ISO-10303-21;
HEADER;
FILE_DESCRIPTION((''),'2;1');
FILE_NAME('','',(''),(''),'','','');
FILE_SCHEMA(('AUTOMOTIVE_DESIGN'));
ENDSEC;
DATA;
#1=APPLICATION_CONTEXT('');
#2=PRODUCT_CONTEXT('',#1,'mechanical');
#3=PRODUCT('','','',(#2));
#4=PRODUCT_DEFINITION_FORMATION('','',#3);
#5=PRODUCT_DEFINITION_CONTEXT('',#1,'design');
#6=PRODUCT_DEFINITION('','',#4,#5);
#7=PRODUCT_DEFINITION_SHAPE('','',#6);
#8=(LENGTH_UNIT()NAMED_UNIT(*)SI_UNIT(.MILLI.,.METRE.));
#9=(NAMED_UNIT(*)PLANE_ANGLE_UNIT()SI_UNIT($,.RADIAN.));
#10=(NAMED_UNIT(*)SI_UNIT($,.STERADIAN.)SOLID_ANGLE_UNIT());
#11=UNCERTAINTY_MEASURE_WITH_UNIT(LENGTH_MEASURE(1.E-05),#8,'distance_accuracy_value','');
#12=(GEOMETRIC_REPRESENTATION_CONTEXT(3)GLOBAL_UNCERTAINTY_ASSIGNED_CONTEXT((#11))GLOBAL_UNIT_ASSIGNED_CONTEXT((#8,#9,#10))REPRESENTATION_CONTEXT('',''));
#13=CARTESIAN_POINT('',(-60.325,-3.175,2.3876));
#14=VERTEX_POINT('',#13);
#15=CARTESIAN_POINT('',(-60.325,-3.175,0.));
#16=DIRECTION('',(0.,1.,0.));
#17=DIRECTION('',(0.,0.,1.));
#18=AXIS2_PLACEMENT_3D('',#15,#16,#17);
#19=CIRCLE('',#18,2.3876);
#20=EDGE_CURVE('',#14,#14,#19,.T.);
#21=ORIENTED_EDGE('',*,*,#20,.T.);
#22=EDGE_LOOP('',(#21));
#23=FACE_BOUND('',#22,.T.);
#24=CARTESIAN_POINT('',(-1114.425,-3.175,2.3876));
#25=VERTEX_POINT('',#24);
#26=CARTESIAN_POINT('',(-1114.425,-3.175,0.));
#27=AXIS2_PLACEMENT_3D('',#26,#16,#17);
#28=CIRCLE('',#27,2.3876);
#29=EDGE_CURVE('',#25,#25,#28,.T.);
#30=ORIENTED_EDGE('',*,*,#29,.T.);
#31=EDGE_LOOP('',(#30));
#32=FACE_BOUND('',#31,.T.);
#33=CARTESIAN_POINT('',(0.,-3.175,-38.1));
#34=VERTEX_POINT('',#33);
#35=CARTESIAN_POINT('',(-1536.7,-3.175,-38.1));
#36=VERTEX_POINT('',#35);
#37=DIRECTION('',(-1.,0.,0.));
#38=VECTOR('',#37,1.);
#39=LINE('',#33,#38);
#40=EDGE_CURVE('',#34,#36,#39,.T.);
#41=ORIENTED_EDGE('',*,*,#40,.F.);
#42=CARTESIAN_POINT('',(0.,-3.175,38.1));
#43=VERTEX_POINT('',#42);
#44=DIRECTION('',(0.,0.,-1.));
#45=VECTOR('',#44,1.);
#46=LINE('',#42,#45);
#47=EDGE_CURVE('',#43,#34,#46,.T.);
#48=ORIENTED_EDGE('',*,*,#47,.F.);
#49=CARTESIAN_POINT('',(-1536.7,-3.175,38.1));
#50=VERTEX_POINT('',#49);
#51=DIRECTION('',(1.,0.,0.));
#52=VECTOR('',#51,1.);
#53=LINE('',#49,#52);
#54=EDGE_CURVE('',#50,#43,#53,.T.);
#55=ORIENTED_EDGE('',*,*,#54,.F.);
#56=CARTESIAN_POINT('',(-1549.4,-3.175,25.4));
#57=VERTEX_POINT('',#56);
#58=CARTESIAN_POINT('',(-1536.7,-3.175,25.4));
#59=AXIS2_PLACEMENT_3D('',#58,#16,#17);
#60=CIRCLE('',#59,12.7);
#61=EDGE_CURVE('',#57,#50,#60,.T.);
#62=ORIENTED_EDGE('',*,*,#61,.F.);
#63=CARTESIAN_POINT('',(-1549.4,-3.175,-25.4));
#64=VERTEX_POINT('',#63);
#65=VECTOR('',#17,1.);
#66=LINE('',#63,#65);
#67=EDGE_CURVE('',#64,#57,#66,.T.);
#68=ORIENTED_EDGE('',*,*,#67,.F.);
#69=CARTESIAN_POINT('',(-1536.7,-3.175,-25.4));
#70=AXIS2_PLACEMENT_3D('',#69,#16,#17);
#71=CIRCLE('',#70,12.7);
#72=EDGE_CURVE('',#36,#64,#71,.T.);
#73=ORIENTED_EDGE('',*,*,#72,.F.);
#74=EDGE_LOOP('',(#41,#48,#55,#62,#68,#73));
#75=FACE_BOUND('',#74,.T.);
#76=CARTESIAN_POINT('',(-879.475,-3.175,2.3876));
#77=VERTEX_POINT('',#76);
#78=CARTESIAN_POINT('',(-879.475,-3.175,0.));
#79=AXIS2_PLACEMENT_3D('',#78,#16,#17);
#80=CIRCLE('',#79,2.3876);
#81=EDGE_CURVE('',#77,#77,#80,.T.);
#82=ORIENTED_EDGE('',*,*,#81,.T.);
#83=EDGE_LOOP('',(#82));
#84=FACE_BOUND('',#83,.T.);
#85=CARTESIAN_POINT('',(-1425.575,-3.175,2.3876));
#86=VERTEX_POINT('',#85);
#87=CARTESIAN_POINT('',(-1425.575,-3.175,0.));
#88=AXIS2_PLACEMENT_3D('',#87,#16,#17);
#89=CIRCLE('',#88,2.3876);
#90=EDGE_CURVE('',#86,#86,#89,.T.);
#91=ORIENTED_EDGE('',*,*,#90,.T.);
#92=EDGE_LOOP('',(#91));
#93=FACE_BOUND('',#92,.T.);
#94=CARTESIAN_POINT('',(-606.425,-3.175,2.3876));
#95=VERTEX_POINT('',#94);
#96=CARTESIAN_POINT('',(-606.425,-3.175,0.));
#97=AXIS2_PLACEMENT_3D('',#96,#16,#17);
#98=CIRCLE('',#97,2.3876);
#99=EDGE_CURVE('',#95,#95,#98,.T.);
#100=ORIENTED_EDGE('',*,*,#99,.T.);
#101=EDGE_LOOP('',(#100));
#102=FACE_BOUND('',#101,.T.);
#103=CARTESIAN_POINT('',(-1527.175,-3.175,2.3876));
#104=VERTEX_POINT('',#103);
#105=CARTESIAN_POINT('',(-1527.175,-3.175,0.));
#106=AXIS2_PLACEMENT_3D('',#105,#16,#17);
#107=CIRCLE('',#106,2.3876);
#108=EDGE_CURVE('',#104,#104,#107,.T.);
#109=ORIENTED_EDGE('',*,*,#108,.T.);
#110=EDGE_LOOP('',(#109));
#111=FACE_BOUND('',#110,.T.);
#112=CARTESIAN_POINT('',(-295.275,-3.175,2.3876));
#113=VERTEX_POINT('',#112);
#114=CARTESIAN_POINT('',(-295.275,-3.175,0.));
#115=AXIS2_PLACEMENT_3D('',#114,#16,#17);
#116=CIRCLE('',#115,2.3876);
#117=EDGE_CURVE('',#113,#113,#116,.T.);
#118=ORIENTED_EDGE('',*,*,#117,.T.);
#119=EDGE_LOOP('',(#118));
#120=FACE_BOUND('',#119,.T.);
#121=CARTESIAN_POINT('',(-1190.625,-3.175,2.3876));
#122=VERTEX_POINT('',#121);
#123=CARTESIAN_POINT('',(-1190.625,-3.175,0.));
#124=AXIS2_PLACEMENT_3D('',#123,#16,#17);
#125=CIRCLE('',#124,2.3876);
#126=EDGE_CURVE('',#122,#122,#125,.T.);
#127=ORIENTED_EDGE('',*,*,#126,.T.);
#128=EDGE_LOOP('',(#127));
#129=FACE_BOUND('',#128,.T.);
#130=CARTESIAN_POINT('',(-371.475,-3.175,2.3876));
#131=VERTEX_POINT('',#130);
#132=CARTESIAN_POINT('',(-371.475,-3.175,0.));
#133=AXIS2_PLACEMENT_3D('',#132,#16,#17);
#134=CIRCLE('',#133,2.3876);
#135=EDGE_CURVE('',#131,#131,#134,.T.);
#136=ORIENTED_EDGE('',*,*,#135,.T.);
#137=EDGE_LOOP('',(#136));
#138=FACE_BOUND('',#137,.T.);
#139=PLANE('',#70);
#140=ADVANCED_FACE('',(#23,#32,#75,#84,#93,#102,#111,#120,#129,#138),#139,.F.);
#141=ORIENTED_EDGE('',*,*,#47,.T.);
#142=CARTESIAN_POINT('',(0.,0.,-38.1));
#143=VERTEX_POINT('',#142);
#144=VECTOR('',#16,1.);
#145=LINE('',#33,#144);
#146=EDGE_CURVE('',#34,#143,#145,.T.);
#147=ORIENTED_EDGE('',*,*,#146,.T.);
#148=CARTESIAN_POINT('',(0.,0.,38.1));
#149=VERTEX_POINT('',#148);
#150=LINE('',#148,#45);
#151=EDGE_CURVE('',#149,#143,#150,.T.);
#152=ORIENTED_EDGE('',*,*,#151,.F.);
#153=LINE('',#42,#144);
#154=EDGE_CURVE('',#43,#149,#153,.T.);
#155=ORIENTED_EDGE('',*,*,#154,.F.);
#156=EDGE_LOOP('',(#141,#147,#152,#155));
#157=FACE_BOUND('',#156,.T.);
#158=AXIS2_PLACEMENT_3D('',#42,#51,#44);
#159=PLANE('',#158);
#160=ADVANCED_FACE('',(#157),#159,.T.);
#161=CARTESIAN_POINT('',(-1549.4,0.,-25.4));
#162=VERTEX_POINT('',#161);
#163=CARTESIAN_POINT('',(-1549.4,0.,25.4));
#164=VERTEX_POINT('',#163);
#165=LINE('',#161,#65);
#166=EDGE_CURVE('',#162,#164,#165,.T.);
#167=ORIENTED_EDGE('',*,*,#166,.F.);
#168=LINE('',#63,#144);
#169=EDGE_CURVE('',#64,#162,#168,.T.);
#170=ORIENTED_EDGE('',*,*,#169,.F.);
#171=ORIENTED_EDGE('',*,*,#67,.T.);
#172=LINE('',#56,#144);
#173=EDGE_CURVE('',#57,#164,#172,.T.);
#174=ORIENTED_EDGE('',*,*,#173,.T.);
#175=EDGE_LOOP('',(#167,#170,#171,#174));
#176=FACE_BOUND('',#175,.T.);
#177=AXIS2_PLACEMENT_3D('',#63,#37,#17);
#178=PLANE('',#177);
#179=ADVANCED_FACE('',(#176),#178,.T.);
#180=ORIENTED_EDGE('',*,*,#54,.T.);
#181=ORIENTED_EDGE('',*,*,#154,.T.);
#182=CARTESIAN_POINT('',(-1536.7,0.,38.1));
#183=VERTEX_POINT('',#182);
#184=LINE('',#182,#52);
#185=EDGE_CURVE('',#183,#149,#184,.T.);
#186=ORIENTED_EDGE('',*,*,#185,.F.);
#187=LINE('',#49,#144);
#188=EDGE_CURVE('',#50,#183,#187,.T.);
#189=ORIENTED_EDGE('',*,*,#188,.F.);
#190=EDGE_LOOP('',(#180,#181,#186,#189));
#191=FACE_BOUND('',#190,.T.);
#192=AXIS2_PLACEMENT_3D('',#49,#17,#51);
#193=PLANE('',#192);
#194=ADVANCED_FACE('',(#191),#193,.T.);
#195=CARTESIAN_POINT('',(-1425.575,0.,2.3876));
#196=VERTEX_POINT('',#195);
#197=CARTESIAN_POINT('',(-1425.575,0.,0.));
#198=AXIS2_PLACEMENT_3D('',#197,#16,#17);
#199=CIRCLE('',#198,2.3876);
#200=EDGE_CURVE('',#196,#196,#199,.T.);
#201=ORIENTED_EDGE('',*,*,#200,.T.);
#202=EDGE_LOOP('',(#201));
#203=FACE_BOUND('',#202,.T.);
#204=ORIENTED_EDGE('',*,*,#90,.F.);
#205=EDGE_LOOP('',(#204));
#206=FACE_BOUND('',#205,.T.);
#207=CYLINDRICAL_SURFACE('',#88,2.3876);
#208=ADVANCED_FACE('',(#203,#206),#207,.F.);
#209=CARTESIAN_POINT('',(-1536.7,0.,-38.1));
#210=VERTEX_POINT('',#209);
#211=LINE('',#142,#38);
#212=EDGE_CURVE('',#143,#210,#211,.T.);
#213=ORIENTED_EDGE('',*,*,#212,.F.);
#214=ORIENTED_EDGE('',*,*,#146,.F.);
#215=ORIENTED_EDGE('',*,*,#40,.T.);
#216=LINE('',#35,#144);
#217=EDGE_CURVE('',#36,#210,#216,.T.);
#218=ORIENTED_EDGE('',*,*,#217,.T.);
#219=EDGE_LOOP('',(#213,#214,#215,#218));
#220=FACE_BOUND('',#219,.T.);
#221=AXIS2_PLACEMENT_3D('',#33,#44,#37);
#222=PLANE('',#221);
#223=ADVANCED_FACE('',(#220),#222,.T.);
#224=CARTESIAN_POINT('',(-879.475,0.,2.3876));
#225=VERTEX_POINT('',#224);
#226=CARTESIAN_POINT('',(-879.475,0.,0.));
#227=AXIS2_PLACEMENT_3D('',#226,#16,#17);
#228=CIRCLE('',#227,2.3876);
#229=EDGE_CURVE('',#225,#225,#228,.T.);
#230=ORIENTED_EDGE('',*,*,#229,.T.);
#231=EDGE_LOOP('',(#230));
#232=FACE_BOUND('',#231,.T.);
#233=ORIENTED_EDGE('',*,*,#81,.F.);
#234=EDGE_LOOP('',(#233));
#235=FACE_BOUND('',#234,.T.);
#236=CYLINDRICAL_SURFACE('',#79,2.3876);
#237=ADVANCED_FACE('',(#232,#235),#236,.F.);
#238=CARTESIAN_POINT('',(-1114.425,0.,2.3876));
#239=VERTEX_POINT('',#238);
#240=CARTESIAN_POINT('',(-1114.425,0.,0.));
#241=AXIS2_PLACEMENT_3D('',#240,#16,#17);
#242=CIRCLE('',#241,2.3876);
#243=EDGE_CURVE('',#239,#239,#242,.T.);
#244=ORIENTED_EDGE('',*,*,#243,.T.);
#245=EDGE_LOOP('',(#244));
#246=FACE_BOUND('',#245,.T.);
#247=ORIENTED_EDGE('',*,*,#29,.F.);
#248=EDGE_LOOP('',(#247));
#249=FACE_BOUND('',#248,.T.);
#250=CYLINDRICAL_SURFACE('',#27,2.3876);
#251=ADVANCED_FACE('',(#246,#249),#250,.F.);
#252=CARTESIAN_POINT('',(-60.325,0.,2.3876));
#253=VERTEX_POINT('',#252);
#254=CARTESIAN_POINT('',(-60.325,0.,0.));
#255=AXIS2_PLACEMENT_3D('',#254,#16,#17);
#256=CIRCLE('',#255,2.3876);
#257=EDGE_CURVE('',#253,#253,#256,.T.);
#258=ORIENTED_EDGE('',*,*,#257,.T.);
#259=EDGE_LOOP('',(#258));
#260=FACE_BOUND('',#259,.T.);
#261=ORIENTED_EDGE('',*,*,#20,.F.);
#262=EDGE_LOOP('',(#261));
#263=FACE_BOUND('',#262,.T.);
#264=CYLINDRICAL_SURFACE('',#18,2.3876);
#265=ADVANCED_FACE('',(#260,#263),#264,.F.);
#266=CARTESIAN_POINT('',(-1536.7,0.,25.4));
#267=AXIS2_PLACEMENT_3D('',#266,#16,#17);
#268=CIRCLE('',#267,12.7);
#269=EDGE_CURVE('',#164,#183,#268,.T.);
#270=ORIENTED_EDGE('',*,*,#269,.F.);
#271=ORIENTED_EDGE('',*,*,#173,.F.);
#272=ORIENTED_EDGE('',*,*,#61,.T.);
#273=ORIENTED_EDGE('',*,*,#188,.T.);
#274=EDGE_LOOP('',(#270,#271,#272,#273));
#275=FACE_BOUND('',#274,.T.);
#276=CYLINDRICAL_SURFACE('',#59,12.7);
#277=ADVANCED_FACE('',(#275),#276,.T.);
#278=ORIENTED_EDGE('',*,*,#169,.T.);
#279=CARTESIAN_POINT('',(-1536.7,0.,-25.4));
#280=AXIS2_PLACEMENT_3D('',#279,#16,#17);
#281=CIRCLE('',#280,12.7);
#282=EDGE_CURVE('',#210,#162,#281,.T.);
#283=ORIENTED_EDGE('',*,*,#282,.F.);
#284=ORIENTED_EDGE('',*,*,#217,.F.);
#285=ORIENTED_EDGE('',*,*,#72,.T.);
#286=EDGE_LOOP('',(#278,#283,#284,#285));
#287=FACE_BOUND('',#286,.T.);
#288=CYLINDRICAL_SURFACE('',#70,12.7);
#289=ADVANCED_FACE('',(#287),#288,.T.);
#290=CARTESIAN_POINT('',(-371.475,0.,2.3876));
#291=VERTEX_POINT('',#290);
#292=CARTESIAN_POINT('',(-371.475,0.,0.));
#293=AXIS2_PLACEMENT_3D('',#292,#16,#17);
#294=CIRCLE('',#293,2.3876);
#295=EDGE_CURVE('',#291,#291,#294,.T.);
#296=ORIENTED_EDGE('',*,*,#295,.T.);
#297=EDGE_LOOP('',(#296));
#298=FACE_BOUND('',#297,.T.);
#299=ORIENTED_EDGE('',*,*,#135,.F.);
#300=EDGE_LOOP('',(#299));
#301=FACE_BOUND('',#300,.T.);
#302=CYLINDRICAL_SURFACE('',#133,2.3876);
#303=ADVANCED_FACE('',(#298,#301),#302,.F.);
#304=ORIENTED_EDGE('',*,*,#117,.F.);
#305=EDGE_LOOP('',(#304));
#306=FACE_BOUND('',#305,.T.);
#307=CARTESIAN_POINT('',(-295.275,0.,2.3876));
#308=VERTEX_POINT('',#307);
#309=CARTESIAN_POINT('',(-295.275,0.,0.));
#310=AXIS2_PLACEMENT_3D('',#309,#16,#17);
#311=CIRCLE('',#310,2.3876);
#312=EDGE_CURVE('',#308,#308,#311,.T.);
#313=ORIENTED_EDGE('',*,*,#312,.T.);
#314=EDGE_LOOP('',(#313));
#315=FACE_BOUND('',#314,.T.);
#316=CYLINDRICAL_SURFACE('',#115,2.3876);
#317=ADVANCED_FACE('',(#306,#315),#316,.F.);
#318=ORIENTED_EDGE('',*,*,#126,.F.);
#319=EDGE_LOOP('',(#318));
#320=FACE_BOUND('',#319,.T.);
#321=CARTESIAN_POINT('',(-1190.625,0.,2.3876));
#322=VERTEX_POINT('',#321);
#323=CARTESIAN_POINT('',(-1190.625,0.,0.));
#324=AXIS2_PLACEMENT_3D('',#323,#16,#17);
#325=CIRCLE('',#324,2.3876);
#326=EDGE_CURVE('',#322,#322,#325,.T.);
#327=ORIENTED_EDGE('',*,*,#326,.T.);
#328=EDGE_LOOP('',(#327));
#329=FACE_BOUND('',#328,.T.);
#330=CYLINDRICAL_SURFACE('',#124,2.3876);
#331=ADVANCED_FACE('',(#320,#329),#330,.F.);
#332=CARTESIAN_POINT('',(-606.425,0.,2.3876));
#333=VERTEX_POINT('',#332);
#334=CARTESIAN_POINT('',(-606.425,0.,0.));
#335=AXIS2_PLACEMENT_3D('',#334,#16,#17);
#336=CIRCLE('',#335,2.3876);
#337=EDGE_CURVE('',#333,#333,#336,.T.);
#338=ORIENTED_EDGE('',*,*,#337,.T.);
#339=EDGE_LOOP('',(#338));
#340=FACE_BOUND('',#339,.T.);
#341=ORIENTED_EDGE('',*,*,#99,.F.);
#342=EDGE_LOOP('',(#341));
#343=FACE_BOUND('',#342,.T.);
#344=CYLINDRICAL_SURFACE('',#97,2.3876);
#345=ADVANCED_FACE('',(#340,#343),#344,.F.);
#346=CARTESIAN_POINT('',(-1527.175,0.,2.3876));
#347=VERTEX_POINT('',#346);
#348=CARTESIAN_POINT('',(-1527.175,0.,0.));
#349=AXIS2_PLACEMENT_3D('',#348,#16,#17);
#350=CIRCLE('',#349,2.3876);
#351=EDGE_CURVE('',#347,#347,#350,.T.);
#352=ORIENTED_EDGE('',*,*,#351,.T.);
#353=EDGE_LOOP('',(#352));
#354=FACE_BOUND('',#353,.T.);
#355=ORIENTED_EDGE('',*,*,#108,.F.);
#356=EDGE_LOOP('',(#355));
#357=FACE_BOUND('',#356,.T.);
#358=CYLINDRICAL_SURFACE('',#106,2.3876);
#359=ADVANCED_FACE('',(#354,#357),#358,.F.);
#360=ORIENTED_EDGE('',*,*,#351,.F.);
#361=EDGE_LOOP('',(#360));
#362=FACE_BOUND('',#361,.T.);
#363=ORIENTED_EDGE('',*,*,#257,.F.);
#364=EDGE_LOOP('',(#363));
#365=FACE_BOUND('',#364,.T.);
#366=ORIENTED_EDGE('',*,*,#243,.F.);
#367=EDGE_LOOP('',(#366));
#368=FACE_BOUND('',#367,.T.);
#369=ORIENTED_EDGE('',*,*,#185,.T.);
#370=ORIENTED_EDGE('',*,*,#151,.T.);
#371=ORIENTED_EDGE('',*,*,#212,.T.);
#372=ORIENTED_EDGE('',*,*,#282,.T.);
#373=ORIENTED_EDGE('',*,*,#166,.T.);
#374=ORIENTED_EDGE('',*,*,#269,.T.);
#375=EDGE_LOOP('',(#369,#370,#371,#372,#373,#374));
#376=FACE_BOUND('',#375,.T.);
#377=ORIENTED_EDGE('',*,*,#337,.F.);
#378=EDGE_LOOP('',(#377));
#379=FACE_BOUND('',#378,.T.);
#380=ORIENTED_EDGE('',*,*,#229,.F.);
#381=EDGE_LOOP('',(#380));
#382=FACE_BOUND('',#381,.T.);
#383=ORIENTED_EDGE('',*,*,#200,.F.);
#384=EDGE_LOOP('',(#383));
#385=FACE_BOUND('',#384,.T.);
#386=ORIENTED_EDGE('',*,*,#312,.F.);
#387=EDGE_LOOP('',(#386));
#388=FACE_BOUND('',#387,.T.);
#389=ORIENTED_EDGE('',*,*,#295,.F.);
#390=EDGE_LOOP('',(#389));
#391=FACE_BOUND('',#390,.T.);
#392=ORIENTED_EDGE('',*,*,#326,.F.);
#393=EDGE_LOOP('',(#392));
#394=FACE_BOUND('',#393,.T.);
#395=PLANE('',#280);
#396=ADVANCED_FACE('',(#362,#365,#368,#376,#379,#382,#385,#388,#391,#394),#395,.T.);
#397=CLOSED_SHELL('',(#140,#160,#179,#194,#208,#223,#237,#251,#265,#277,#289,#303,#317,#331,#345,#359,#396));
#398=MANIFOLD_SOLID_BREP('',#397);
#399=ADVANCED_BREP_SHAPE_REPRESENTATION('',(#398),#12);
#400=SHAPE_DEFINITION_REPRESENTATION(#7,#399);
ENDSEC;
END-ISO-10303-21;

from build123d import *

# Parameters (mm, degrees)
SKETCH1_R      = 2.3876
EXTRUDE1_DEPTH = 3.175


with BuildPart() as part:
    # Sketch1 → Extrude1 (new body)
    with BuildSketch(Plane(origin=(0, 0, 0), x_dir=(-1, 0, 0), z_dir=(0, 1, 0))):
        with BuildLine():
            Line((0, 38.1), (0, -38.1))
            Line((0, -38.1), (1536.7, -38.1))
            ThreePointArc((1536.7, -38.1), (1545.680256121, -34.380256121), (1549.4, -25.4))
            Line((1549.4, -25.4), (1549.4, 25.4))
            ThreePointArc((1549.4, 25.4), (1545.680256121, 34.380256121), (1536.7, 38.1))
            Line((1536.7, 38.1), (0, 38.1))
        make_face()
        with Locations(Location((60.325, 0, 0), (0, 0, 90))):
            Circle(SKETCH1_R, mode=Mode.SUBTRACT)
        with Locations(Location((295.275, 0, 0), (0, 0, 90))):
            Circle(SKETCH1_R, mode=Mode.SUBTRACT)
        with Locations(Location((371.475, 0, 0), (0, 0, 90))):
            Circle(SKETCH1_R, mode=Mode.SUBTRACT)
        with Locations(Location((606.425, 0, 0), (0, 0, 90))):
            Circle(SKETCH1_R, mode=Mode.SUBTRACT)
        with Locations(Location((879.475, 0, 0), (0, 0, 90))):
            Circle(SKETCH1_R, mode=Mode.SUBTRACT)
        with Locations(Location((1114.425, 0, 0), (0, 0, 90))):
            Circle(SKETCH1_R, mode=Mode.SUBTRACT)
        with Locations(Location((1190.625, 0, 0), (0, 0, 90))):
            Circle(SKETCH1_R, mode=Mode.SUBTRACT)
        with Locations(Location((1425.575, 0, 0), (0, 0, 90))):
            Circle(SKETCH1_R, mode=Mode.SUBTRACT)
        with Locations(Location((1527.175, 0, 0), (0, 0, 90))):
            Circle(SKETCH1_R, mode=Mode.SUBTRACT)
    extrude(amount=-EXTRUDE1_DEPTH)


solid = part.part
